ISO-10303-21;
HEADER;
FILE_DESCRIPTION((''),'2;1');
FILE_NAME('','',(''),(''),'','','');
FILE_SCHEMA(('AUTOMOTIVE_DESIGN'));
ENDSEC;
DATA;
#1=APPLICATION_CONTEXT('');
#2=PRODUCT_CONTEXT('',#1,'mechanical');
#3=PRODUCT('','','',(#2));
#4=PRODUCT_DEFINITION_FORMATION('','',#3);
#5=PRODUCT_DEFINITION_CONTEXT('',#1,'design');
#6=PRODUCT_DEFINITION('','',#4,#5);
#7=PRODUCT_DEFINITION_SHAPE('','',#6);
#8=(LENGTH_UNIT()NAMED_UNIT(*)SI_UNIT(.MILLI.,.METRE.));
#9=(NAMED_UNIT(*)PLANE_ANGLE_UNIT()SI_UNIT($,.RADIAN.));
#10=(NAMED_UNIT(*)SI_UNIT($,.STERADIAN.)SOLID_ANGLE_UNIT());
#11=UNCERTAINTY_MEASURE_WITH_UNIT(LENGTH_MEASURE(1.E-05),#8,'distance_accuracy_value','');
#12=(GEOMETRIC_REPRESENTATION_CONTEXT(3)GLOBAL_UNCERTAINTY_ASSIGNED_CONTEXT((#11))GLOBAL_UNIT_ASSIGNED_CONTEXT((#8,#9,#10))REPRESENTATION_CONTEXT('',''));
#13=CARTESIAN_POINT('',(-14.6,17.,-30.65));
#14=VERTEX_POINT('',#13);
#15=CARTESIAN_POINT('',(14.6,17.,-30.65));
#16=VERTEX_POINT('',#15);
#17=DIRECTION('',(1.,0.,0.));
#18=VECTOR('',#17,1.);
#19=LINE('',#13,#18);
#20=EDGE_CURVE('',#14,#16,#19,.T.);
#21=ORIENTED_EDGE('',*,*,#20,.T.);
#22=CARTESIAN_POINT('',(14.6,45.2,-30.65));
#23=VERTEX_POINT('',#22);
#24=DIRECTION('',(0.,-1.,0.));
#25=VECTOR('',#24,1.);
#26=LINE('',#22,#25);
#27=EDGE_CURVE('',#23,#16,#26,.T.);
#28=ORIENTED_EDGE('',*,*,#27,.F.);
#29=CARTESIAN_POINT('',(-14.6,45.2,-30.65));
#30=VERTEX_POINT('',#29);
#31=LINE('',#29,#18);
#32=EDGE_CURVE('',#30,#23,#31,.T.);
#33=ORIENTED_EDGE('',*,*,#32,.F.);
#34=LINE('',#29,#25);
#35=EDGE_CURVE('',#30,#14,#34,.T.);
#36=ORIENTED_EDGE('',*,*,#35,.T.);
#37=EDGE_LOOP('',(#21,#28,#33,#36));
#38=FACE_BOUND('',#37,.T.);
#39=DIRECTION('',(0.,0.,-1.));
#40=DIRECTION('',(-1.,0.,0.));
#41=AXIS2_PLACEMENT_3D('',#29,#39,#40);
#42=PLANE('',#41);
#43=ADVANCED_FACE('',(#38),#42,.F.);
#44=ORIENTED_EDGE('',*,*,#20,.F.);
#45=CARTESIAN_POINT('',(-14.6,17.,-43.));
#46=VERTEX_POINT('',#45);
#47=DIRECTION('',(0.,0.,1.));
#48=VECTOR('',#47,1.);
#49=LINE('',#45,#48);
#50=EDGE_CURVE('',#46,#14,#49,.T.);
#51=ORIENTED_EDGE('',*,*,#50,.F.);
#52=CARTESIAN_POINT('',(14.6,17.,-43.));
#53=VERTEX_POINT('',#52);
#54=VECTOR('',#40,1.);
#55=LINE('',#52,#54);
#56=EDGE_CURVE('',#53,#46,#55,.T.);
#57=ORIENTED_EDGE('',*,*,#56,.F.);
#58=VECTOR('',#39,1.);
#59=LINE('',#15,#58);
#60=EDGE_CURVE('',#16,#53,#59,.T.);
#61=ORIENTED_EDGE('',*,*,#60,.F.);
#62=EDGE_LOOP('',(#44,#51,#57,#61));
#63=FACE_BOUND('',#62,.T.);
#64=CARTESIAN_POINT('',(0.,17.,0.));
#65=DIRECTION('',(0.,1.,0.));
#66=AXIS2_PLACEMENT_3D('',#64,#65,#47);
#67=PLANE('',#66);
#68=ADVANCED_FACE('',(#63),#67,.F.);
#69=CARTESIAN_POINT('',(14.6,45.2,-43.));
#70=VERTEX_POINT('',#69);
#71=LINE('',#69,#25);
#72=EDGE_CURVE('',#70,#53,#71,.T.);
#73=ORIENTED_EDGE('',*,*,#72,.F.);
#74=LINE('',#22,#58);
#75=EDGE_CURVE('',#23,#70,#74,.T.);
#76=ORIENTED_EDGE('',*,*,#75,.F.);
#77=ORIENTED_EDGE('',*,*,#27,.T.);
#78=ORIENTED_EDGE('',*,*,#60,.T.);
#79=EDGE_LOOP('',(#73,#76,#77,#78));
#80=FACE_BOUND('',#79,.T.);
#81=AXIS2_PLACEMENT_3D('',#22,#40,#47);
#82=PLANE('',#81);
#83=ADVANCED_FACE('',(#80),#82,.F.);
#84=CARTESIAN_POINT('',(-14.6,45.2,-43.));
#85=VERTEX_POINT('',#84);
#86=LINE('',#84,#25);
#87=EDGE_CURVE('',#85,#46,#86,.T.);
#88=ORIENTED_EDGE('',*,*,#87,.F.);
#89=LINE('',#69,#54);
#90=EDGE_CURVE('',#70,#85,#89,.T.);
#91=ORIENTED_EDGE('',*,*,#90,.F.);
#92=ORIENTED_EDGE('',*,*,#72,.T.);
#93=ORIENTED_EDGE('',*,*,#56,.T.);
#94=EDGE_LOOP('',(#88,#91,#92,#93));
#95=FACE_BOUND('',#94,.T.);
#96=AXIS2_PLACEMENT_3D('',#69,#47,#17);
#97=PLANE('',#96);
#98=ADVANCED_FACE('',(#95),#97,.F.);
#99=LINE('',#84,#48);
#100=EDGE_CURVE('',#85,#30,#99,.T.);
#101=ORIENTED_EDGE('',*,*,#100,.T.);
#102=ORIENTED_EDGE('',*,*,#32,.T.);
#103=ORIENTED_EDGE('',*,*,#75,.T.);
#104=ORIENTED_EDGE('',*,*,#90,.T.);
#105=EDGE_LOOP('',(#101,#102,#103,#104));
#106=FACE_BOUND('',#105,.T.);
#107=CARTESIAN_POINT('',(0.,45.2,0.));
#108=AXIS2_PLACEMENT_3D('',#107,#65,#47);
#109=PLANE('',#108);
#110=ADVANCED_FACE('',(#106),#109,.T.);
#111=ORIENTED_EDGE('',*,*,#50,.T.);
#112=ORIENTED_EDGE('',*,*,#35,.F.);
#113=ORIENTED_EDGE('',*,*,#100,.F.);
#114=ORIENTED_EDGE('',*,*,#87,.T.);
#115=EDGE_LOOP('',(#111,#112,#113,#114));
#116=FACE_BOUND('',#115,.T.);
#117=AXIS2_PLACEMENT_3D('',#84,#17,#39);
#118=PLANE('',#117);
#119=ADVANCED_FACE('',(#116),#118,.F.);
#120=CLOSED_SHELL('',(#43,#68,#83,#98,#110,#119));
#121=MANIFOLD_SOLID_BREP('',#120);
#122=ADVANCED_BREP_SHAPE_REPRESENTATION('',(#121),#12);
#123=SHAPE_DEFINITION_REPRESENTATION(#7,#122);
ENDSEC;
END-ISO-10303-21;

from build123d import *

# Parameters (mm, degrees)
SKETCH1_W         = 29.2
SKETCH1_H         = 12.35
CAMERA_CASE_DEPTH = 28.2


with BuildPart() as part:
    # Sketch1 → Camera Case (new body)
    with BuildSketch(Plane(origin=(0, 17, 0), x_dir=(1, 0, 0), z_dir=(0, 1, 0))):
        with Locations((0, 36.825)):
            Rectangle(SKETCH1_W, SKETCH1_H)
    extrude(amount=CAMERA_CASE_DEPTH)


solid = part.part
